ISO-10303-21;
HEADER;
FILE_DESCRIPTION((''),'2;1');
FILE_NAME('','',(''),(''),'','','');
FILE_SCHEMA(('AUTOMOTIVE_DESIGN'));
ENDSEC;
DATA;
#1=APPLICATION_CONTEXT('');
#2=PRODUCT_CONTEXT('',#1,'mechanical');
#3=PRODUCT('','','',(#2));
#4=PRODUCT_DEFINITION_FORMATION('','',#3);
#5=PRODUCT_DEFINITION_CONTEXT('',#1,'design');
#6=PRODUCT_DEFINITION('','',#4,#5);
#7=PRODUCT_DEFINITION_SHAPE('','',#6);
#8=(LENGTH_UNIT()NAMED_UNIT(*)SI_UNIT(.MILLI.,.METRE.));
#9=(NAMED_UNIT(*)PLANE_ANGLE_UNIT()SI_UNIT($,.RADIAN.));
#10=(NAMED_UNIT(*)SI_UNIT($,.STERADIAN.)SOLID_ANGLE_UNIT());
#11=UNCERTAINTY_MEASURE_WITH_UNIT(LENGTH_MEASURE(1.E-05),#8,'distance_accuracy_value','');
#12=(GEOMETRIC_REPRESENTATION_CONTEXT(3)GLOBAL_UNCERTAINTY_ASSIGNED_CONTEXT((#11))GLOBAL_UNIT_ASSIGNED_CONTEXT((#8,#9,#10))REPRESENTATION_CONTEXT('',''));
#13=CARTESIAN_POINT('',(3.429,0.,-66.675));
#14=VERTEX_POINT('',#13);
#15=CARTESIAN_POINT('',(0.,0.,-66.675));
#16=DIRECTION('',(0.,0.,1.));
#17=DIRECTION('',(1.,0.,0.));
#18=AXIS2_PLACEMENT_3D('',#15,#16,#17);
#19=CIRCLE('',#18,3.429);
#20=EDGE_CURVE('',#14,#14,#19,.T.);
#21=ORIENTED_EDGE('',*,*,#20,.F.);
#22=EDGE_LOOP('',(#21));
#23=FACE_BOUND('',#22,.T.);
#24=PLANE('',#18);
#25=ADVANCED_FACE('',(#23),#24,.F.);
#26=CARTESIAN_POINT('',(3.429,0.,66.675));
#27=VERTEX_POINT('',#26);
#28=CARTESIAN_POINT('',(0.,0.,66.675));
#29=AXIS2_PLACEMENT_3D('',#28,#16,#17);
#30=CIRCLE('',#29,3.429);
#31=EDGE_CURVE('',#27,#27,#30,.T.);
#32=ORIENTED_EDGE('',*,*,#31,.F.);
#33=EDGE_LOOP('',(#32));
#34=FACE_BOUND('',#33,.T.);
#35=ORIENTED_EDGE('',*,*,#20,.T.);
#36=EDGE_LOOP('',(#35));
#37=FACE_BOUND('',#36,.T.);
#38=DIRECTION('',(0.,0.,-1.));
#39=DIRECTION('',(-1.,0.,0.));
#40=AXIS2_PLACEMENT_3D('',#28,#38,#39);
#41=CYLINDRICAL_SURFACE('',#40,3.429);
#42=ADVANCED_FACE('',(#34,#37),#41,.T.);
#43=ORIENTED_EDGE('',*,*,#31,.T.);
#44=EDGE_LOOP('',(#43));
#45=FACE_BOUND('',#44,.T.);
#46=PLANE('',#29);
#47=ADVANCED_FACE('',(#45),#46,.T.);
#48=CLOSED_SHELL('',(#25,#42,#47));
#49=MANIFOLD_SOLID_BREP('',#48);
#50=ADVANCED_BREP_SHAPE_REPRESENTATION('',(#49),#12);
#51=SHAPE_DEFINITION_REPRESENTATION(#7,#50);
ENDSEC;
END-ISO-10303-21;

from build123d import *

# Parameters (mm, degrees)
SKETCH1_R           = 2.286
BOSS_EXTRUDE1_DEPTH = 44.45
SCALE1_SCALE        = 1.5


with BuildPart() as part:
    # Sketch1 → Boss-Extrude1 (new, symmetric)
    with BuildSketch(Plane.XY):
        Circle(SKETCH1_R)
    extrude(amount=BOSS_EXTRUDE1_DEPTH, both=True)


with BuildPart() as part_1:
    # Scale1: scaled about (0, 0, 0)
    add(part.part.scale(SCALE1_SCALE))


solid = part_1.part
